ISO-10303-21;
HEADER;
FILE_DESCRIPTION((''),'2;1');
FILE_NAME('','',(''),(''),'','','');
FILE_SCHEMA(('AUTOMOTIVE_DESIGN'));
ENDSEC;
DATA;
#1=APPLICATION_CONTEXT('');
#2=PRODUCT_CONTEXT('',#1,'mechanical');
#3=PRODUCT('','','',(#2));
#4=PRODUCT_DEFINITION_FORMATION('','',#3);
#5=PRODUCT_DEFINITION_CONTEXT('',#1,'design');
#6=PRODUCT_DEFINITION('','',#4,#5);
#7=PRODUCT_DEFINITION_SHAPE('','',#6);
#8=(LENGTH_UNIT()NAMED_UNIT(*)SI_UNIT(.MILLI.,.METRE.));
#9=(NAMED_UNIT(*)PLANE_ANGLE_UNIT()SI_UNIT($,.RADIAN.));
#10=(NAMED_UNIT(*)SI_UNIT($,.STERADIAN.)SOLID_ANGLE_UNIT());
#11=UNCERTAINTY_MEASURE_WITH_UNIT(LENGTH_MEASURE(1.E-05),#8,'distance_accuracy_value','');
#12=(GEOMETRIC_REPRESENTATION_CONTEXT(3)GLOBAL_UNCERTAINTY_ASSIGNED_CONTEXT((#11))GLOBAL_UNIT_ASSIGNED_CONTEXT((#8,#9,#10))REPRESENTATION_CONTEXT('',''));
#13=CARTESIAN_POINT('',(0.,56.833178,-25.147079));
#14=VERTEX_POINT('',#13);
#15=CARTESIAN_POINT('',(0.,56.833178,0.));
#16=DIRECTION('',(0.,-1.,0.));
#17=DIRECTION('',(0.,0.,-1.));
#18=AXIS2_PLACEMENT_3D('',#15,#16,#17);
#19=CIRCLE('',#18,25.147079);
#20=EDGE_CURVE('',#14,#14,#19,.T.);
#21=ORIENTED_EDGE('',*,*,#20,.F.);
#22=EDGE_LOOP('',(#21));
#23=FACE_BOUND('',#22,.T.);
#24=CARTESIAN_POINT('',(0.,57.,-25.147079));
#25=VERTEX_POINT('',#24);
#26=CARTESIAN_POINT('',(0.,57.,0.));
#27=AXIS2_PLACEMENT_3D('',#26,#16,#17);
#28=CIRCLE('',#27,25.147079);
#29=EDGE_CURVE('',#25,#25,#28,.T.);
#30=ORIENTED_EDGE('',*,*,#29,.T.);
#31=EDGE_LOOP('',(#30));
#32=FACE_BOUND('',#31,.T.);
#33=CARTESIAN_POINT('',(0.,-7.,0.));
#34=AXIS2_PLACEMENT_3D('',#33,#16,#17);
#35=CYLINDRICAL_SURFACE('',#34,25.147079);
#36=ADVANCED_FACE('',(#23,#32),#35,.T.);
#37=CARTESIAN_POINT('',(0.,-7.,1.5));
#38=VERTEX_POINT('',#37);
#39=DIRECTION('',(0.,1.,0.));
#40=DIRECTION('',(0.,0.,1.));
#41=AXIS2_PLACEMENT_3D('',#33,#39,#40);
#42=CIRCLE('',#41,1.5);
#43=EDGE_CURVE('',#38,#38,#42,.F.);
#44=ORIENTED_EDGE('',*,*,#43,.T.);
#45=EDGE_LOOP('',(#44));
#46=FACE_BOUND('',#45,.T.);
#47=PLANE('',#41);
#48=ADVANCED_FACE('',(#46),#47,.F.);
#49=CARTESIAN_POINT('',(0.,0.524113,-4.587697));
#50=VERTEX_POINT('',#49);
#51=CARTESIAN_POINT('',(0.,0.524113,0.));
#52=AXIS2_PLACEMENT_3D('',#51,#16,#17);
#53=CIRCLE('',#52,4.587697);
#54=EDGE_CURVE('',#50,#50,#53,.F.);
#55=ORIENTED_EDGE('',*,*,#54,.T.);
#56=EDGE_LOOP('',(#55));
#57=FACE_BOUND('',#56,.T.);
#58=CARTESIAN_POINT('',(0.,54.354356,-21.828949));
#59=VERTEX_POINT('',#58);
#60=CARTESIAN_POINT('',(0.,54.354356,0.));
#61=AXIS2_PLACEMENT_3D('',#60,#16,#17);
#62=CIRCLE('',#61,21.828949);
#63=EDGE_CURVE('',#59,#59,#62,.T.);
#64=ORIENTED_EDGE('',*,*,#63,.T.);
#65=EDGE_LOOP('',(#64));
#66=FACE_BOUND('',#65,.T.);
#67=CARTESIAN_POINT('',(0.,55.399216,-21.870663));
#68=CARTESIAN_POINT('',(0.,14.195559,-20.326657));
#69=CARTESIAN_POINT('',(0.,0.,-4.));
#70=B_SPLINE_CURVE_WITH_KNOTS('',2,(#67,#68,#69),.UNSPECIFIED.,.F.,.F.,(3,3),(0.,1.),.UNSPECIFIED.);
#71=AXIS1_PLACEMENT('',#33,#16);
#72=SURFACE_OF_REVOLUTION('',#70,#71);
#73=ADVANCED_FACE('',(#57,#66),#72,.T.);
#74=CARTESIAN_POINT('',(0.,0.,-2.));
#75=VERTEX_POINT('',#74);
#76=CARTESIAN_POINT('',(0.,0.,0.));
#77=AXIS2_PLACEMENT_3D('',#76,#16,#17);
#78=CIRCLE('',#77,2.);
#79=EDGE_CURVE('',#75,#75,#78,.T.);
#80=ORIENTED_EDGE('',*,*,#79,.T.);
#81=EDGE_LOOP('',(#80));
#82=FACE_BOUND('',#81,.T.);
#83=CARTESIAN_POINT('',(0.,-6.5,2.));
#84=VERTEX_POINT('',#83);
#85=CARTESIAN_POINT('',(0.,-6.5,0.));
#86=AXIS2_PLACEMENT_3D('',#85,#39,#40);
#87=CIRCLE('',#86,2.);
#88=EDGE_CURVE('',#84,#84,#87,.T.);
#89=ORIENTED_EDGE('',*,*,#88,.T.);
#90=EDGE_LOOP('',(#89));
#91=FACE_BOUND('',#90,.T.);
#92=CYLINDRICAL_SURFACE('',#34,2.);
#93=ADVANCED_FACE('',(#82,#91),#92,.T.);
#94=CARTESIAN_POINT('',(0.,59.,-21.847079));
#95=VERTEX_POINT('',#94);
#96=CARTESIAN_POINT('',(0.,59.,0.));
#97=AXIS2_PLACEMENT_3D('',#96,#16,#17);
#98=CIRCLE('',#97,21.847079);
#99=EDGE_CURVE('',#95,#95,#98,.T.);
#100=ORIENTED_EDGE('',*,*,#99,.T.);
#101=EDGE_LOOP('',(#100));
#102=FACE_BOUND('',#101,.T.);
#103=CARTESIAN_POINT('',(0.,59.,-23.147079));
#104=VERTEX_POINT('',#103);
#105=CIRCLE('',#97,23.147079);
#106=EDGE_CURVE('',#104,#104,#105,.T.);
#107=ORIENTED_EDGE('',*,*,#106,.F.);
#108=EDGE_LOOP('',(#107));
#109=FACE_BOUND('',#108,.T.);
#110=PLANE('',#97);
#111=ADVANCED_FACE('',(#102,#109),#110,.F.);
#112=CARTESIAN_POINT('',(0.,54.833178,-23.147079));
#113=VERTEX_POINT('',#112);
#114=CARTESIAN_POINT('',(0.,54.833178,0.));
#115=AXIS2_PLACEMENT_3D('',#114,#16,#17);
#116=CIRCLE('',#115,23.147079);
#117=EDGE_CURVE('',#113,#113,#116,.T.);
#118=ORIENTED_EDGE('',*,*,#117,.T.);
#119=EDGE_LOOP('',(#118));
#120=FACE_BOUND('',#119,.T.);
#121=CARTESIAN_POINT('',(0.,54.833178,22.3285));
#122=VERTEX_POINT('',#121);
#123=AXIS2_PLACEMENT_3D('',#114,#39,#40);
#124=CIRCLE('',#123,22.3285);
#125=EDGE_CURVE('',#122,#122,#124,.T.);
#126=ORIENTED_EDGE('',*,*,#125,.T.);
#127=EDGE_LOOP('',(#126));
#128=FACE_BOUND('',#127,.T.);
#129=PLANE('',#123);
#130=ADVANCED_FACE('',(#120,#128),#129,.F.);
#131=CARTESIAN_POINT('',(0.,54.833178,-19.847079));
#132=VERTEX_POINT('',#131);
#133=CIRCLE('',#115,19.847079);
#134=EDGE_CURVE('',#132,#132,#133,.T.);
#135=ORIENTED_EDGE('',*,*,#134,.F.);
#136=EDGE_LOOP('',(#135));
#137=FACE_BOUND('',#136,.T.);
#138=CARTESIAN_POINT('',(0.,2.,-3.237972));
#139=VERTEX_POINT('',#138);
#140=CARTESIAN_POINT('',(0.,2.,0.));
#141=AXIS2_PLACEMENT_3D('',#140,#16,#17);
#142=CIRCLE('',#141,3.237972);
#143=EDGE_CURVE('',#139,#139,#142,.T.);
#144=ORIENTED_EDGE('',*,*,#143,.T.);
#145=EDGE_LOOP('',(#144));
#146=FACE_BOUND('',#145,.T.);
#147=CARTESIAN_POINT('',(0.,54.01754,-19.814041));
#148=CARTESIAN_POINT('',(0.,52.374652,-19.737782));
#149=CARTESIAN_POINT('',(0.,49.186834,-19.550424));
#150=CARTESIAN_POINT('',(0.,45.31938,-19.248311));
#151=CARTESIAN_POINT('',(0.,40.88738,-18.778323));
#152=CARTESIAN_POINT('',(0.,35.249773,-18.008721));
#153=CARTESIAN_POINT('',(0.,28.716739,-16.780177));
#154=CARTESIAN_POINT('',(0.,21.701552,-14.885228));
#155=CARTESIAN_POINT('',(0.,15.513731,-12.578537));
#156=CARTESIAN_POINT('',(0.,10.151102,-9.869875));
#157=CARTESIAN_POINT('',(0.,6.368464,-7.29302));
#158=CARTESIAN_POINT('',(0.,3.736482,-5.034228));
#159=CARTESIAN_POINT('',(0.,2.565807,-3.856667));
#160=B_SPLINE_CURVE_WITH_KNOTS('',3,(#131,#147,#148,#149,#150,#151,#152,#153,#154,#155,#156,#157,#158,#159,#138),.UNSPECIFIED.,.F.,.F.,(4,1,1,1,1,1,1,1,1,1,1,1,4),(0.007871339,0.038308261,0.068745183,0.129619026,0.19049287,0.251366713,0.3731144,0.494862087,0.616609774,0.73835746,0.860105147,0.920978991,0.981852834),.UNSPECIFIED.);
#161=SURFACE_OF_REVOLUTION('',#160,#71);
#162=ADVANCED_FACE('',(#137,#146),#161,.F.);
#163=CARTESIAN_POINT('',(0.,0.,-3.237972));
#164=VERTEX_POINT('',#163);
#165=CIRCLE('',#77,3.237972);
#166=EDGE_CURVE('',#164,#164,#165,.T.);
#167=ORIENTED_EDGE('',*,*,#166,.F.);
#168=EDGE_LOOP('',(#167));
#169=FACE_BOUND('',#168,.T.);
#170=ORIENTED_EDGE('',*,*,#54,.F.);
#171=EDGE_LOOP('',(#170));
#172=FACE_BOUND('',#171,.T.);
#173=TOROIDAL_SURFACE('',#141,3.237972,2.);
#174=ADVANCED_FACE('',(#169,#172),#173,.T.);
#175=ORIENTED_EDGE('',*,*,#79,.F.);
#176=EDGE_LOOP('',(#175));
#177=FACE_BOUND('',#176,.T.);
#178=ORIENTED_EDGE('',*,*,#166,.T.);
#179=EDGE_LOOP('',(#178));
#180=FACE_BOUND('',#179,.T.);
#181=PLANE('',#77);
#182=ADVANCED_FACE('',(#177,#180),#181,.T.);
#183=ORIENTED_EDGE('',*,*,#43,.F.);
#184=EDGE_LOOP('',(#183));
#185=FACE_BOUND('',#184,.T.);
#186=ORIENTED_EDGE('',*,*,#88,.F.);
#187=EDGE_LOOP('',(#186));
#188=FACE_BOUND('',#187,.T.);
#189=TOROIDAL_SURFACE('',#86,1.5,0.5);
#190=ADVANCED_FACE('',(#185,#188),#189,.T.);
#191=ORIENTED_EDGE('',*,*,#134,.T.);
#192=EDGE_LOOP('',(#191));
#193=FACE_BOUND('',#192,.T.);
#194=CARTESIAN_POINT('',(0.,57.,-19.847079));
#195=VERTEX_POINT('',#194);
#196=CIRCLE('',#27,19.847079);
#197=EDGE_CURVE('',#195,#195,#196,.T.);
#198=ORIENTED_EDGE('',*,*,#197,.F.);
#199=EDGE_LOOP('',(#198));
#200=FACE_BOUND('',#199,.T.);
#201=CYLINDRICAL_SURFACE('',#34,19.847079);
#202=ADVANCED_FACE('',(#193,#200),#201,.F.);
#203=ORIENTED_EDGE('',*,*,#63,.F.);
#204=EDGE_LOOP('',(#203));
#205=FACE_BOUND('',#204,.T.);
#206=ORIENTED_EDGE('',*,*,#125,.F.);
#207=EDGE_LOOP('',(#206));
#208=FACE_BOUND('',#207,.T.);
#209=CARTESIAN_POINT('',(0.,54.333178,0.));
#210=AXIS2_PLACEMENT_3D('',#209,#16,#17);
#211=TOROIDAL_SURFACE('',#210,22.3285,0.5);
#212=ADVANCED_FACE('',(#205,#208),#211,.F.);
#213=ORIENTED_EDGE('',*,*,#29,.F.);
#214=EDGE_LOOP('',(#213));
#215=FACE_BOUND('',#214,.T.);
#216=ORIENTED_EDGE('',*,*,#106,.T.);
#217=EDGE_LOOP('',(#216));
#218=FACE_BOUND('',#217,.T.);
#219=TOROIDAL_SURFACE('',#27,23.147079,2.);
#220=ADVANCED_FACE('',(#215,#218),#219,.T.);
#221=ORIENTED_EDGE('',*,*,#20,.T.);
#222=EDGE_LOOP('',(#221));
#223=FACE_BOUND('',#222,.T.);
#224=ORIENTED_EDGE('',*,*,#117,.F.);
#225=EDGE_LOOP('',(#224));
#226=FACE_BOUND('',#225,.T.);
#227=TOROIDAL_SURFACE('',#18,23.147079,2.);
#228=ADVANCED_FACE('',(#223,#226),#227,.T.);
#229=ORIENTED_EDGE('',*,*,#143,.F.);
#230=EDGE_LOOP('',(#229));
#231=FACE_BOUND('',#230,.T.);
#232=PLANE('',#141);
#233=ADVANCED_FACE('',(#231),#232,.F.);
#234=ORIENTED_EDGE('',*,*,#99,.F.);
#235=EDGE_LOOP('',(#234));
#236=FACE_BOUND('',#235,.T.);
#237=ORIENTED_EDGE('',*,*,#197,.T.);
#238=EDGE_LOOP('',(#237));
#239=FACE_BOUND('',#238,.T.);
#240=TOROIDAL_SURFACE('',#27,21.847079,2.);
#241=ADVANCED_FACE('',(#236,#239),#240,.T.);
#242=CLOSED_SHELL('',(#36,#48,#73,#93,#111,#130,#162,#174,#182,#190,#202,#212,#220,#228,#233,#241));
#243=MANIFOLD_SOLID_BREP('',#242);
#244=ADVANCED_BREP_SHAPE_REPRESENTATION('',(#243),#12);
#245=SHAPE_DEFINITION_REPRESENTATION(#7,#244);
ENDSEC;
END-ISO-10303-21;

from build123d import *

# Parameters (mm, degrees)
FILLET1_R = 2
FILLET3_R = 0.5
FILLET4_R = 0.5


with BuildPart() as part:
    # Sketch1 → Revolve1 (revolve)
    with BuildSketch(Plane(origin=(0, 0, 0), x_dir=(0, 0, -1), z_dir=(1, 0, 0))):
        with BuildLine():
            Line((0, 2), (0, -7))
            Line((0, -7), (2, -7))
            Line((2, -7), (2, 0))
            Line((2, 0), (4, 0))
            add(Edge.make_bspline(
                [(21.848703267, 54.833178065), (20.214258964, 14.09783204), (4, 0)],
                knots=[0.006884315, 0.006884315, 0.006884315, 1, 1, 1], degree=2))
            Line((21.848703267, 54.833178065), (23.147078708, 54.833178065))
            ThreePointArc((23.147078708, 54.833178065), (24.561292271, 55.418964503), (25.147078708, 56.833178065))
            Line((25.147078708, 56.833178065), (25.147078708, 57))
            ThreePointArc((25.147078708, 57), (24.561292271, 58.414213562), (23.147078708, 59))
            Line((23.147078708, 59), (21.847078708, 59))
            ThreePointArc((21.847078708, 59), (20.432865146, 58.414213562), (19.847078708, 57))
            Line((19.847078708, 57), (19.847078708, 54.833178065))
            add(Edge.make_bspline(
                [(19.847078708, 54.833178065), (19.814040857, 54.017540164), (19.737781594, 52.37465154), (19.550424442, 49.186834111), (19.248311129, 45.319379985), (18.778323152, 40.887379901), (18.008721168, 35.249773199), (16.78017666, 28.716739118), (14.885227728, 21.701552484), (12.578537237, 15.513730706), (9.869874942, 10.151102105), (7.293019558, 6.368464088), (5.034228182, 3.736482073), (3.856666686, 2.56580673), (3.237972307, 2)],
                knots=[0.007871339, 0.007871339, 0.007871339, 0.007871339, 0.038308261, 0.068745183, 0.129619026, 0.19049287, 0.251366713, 0.3731144, 0.494862087, 0.616609774, 0.73835746, 0.860105147, 0.920978991, 0.981852834, 0.981852834, 0.981852834, 0.981852834], degree=3))
            Line((3.237972307, 2), (0, 2))
        make_face()
    revolve(axis=Axis((0, -7, 0), (0, 1, 0)))

    # Fillet1
    fillet1_edges = [part.edges().sort_by_distance(p)[0] for p in [
        (0, 0, 4),
    ]]
    fillet(fillet1_edges, radius=FILLET1_R)

    # Fillet3
    fillet3_edges = [part.edges().sort_by_distance(p)[0] for p in [
        (0, -7, 2),
    ]]
    fillet(fillet3_edges, radius=FILLET3_R)

    # Fillet4
    fillet4_edges = [part.edges().sort_by_distance(p)[0] for p in [
        (0, 54.833178065, 21.848703267),
    ]]
    fillet(fillet4_edges, radius=FILLET4_R)


solid = part.part
